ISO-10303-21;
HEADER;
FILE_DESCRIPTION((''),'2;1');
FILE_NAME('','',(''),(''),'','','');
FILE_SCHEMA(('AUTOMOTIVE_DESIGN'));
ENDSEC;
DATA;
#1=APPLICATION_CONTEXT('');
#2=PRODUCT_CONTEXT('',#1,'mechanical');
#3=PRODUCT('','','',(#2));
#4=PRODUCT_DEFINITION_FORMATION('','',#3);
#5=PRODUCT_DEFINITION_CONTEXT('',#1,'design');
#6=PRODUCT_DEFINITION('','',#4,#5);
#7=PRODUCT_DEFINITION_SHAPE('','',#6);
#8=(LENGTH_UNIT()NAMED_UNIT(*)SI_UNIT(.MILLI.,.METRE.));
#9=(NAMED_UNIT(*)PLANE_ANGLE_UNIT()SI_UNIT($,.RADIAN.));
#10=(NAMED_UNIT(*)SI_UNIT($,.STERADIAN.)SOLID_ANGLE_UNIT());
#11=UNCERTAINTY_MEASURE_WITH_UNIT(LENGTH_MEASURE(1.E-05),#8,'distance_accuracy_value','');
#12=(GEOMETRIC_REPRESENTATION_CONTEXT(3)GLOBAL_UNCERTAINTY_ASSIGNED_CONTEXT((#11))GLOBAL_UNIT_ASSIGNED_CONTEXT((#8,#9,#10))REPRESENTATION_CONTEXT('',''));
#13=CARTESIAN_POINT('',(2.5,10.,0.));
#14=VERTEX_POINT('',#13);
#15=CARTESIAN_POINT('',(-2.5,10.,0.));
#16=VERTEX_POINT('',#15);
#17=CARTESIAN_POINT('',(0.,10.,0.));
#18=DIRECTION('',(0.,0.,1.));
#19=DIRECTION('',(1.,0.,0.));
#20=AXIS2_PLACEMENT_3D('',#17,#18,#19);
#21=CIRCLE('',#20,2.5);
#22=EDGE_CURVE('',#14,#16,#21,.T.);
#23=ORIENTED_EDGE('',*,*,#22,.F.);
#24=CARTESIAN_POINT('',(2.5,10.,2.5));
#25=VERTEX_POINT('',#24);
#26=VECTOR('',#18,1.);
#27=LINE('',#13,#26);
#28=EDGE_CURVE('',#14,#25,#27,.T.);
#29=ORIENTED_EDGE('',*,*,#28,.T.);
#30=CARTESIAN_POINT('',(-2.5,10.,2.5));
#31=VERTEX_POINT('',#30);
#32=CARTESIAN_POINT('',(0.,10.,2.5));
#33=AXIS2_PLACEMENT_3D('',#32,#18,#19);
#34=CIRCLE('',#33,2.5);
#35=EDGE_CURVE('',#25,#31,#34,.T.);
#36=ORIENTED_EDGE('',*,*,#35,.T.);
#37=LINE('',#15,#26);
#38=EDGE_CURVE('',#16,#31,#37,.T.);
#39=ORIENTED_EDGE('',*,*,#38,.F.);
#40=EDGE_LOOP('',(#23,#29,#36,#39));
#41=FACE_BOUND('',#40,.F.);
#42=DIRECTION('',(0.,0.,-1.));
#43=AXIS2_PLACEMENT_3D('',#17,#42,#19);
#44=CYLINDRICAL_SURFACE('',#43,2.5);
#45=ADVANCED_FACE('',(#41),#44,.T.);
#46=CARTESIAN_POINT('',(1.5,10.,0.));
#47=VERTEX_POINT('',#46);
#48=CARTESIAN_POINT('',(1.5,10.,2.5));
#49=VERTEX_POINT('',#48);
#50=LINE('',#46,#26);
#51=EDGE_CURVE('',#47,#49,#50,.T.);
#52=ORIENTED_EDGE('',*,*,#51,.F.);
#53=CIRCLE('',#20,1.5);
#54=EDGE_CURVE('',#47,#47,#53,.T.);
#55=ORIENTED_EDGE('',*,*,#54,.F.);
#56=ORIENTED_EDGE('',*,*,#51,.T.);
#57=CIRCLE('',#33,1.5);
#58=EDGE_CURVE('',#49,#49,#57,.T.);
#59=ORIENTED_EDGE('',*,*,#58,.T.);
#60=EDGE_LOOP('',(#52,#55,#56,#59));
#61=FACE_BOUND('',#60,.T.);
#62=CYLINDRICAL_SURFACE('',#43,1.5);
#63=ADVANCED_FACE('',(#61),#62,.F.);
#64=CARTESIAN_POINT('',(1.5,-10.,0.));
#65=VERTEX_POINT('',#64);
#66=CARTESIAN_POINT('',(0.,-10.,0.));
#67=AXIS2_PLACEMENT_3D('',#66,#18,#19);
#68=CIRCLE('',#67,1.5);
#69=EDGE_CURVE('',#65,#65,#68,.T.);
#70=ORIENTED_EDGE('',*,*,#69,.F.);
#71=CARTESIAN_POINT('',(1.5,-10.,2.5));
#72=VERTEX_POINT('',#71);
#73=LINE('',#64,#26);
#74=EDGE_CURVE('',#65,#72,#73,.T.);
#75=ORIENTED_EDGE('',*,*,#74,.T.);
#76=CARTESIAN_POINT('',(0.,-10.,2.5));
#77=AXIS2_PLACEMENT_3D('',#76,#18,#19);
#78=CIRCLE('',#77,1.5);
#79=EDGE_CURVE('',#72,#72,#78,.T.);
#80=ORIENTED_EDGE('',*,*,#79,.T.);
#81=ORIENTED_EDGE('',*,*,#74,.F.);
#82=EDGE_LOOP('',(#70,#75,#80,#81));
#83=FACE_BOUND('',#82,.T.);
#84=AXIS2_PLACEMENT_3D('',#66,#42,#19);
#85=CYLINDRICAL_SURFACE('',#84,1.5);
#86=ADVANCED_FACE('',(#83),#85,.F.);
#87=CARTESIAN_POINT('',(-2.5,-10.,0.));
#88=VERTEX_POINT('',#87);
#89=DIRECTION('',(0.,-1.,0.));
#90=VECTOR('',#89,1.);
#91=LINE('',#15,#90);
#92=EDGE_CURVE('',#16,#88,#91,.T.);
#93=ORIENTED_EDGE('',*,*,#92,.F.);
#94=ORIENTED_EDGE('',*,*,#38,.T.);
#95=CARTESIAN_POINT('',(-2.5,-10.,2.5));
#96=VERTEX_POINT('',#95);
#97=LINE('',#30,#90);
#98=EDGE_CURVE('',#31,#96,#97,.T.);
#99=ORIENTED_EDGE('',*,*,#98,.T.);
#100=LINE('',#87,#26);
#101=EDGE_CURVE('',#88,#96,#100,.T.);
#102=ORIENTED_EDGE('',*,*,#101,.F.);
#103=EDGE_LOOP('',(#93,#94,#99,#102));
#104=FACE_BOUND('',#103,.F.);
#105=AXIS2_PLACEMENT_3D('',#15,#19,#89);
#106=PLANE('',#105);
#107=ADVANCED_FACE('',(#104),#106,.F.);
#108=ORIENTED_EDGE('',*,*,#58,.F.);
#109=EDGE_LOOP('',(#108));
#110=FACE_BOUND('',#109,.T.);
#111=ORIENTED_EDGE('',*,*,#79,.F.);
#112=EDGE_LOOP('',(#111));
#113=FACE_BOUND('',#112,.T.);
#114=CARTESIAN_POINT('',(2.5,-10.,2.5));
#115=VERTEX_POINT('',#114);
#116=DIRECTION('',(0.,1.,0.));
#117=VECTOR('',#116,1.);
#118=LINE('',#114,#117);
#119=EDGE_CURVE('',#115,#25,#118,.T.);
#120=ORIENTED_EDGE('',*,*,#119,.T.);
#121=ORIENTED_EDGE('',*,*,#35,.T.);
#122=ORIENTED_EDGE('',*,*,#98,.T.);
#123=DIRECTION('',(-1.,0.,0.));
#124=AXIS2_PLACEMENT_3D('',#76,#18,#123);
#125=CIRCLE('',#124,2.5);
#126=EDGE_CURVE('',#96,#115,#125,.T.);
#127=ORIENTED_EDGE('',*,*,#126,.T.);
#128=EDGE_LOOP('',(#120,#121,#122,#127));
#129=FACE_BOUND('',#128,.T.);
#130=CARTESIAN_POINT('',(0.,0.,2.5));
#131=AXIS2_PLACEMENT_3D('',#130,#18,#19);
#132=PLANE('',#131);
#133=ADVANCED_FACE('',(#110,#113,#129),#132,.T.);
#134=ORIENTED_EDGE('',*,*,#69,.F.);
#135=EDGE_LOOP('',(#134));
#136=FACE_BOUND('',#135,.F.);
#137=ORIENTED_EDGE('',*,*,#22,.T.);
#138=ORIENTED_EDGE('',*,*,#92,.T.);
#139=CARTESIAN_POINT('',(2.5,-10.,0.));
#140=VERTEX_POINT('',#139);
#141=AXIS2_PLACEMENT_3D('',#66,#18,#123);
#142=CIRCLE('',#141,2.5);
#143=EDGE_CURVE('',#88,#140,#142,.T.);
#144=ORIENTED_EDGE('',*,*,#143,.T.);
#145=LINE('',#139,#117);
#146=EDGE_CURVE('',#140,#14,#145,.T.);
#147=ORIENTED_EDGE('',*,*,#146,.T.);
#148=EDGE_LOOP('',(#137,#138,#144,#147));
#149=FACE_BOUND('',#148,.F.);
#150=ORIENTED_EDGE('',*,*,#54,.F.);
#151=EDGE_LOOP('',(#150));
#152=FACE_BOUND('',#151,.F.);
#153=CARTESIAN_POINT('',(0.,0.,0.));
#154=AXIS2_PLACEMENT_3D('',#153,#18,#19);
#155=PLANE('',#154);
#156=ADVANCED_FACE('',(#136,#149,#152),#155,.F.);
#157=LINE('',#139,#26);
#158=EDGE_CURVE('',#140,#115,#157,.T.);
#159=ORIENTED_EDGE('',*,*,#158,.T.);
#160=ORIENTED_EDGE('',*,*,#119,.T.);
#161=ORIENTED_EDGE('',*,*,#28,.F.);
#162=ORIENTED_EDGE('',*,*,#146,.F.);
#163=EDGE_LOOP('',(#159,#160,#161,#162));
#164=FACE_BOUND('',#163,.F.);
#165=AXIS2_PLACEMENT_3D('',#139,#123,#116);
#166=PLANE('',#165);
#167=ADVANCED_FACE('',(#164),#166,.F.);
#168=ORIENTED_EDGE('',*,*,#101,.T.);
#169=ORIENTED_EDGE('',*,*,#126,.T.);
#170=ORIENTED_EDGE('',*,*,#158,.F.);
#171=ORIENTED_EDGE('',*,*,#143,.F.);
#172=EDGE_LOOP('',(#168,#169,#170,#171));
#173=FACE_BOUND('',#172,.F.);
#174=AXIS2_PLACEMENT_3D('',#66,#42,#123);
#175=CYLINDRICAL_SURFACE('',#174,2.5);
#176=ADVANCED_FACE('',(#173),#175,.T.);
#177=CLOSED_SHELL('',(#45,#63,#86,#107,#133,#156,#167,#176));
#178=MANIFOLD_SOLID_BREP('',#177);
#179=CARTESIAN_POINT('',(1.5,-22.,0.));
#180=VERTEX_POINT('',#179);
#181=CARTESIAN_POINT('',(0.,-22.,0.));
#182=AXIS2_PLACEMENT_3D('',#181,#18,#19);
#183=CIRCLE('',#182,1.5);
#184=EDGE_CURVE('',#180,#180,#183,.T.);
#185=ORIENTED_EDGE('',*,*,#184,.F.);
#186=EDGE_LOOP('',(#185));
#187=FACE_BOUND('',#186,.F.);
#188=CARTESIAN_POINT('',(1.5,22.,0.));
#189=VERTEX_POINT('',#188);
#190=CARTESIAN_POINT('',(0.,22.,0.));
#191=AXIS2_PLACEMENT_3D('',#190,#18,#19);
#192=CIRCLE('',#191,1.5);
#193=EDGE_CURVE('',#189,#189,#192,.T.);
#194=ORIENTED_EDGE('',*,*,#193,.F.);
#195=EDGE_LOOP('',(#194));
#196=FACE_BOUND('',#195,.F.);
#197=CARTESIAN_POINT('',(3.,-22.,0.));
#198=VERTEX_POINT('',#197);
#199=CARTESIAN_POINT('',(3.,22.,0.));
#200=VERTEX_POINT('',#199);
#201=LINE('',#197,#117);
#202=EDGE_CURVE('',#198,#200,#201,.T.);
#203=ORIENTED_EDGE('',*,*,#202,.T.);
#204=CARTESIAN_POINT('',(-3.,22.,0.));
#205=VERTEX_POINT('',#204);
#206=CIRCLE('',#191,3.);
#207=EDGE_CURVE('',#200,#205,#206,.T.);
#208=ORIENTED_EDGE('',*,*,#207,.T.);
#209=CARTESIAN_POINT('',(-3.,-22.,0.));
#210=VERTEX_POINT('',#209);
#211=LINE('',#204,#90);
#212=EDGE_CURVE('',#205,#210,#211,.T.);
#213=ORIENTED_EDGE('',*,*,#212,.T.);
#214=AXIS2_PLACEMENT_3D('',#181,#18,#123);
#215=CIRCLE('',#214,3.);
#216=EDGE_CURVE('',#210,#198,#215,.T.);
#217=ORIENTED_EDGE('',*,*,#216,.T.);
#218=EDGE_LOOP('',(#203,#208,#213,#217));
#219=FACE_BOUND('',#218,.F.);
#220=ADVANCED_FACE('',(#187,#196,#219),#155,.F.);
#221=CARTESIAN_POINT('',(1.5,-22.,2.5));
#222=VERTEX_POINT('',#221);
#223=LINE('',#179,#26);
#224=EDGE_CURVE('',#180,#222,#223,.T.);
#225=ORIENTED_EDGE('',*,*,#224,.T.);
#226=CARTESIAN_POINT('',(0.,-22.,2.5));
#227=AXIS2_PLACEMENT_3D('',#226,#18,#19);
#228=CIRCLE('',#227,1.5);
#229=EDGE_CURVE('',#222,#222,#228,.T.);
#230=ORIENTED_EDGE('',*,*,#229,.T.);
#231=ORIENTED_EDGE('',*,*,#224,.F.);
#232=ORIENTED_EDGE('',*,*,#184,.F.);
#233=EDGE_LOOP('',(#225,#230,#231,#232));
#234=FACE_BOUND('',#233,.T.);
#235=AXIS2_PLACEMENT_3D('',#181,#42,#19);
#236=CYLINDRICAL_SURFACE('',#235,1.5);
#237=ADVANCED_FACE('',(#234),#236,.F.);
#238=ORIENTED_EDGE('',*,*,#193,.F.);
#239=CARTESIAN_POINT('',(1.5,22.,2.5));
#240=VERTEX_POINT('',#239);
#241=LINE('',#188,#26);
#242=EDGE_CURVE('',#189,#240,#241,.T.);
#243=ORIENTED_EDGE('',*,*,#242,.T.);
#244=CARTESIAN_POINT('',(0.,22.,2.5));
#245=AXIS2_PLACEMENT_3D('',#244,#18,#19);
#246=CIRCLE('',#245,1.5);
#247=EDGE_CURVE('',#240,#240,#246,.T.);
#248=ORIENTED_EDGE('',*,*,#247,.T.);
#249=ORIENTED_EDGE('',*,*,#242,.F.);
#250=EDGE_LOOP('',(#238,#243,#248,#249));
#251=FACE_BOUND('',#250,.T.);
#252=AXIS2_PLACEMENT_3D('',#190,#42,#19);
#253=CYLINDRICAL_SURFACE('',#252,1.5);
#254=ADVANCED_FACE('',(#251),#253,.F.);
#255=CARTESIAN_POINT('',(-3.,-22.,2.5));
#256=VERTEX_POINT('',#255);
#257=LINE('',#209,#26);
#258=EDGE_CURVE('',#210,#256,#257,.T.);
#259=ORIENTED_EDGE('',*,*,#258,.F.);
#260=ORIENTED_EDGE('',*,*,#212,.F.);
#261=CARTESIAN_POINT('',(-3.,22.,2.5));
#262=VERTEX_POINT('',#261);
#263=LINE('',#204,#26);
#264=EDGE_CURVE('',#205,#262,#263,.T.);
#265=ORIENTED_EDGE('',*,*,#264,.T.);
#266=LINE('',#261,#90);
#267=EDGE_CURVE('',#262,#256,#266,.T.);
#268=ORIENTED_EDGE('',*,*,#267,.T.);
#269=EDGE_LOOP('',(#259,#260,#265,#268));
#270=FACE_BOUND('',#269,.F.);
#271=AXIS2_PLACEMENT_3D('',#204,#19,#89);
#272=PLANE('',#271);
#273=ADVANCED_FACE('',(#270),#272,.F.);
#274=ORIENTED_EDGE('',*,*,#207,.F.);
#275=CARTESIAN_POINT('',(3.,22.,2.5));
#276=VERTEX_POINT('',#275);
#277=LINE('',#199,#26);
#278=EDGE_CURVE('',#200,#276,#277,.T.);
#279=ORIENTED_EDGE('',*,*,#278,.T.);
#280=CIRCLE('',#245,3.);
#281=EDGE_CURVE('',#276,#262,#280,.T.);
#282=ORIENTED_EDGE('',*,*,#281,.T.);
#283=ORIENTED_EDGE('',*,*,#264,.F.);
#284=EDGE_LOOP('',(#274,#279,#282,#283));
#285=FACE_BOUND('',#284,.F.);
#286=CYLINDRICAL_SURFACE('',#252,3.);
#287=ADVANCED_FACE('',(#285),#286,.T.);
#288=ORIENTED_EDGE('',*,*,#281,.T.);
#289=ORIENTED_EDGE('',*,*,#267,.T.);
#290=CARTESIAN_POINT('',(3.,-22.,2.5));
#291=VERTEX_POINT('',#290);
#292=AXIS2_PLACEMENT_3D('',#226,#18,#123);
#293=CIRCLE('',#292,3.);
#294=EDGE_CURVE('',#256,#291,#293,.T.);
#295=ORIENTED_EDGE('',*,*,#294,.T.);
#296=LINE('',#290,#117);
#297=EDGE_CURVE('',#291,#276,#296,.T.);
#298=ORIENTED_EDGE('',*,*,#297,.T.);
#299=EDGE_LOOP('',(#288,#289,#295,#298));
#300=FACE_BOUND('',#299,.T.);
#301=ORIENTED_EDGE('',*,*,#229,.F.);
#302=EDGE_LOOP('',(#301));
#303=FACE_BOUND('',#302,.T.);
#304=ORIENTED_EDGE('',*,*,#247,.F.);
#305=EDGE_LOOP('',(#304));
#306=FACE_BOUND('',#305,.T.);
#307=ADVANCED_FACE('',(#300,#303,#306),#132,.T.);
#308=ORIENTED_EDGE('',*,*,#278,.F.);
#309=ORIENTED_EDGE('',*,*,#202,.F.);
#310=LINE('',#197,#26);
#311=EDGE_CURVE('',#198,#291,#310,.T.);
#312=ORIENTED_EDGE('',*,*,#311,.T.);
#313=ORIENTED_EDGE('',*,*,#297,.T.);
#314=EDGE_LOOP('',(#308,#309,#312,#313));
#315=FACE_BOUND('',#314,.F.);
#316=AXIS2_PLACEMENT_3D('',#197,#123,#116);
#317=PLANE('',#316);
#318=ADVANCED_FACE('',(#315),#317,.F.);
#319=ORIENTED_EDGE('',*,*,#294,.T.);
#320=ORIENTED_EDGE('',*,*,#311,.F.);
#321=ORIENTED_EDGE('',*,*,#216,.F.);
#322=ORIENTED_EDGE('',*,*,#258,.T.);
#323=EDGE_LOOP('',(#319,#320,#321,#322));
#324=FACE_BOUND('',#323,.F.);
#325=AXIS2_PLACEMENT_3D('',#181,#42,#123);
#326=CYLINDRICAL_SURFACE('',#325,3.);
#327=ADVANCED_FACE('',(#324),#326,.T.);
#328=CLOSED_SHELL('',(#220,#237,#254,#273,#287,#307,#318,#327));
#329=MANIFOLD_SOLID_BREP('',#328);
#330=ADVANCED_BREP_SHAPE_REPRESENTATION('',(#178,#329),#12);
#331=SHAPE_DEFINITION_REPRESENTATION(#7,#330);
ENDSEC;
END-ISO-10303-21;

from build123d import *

# Parameters (mm, degrees)
SKETCH_R     = 1.5
PAD_DEPTH    = 2.5
SKETCH001_R  = 1.5
PAD001_DEPTH = 2.5


with BuildPart() as f_44x6:
    # Sketch → Pad (new body)
    with BuildSketch(Plane.XY):
        with BuildLine():
            Line((-3, 22), (-3, -22))
            ThreePointArc((-3, -22), (0, -25), (3, -22))
            Line((3, -22), (3, 22))
            ThreePointArc((3, 22), (0, 25), (-3, 22))
        make_face()
        with Locations((0, 22)):
            Circle(SKETCH_R, mode=Mode.SUBTRACT)
        with Locations((0, -22)):
            Circle(SKETCH_R, mode=Mode.SUBTRACT)
    extrude(amount=PAD_DEPTH)


with BuildPart() as f_20x5:
    # Sketch001 → Pad001 (new body)
    with BuildSketch(Plane.XY):
        with BuildLine():
            Line((-2.5, 10), (-2.5, -10))
            ThreePointArc((-2.5, -10), (0, -12.5), (2.5, -10))
            Line((2.5, -10), (2.5, 10))
            ThreePointArc((2.5, 10), (0, 12.5), (-2.5, 10))
        make_face()
        with Locations((0, 10)):
            Circle(SKETCH001_R, mode=Mode.SUBTRACT)
        with Locations((0, -10)):
            Circle(SKETCH001_R, mode=Mode.SUBTRACT)
    extrude(amount=PAD001_DEPTH)


solid = Compound([f_44x6.part, f_20x5.part])
